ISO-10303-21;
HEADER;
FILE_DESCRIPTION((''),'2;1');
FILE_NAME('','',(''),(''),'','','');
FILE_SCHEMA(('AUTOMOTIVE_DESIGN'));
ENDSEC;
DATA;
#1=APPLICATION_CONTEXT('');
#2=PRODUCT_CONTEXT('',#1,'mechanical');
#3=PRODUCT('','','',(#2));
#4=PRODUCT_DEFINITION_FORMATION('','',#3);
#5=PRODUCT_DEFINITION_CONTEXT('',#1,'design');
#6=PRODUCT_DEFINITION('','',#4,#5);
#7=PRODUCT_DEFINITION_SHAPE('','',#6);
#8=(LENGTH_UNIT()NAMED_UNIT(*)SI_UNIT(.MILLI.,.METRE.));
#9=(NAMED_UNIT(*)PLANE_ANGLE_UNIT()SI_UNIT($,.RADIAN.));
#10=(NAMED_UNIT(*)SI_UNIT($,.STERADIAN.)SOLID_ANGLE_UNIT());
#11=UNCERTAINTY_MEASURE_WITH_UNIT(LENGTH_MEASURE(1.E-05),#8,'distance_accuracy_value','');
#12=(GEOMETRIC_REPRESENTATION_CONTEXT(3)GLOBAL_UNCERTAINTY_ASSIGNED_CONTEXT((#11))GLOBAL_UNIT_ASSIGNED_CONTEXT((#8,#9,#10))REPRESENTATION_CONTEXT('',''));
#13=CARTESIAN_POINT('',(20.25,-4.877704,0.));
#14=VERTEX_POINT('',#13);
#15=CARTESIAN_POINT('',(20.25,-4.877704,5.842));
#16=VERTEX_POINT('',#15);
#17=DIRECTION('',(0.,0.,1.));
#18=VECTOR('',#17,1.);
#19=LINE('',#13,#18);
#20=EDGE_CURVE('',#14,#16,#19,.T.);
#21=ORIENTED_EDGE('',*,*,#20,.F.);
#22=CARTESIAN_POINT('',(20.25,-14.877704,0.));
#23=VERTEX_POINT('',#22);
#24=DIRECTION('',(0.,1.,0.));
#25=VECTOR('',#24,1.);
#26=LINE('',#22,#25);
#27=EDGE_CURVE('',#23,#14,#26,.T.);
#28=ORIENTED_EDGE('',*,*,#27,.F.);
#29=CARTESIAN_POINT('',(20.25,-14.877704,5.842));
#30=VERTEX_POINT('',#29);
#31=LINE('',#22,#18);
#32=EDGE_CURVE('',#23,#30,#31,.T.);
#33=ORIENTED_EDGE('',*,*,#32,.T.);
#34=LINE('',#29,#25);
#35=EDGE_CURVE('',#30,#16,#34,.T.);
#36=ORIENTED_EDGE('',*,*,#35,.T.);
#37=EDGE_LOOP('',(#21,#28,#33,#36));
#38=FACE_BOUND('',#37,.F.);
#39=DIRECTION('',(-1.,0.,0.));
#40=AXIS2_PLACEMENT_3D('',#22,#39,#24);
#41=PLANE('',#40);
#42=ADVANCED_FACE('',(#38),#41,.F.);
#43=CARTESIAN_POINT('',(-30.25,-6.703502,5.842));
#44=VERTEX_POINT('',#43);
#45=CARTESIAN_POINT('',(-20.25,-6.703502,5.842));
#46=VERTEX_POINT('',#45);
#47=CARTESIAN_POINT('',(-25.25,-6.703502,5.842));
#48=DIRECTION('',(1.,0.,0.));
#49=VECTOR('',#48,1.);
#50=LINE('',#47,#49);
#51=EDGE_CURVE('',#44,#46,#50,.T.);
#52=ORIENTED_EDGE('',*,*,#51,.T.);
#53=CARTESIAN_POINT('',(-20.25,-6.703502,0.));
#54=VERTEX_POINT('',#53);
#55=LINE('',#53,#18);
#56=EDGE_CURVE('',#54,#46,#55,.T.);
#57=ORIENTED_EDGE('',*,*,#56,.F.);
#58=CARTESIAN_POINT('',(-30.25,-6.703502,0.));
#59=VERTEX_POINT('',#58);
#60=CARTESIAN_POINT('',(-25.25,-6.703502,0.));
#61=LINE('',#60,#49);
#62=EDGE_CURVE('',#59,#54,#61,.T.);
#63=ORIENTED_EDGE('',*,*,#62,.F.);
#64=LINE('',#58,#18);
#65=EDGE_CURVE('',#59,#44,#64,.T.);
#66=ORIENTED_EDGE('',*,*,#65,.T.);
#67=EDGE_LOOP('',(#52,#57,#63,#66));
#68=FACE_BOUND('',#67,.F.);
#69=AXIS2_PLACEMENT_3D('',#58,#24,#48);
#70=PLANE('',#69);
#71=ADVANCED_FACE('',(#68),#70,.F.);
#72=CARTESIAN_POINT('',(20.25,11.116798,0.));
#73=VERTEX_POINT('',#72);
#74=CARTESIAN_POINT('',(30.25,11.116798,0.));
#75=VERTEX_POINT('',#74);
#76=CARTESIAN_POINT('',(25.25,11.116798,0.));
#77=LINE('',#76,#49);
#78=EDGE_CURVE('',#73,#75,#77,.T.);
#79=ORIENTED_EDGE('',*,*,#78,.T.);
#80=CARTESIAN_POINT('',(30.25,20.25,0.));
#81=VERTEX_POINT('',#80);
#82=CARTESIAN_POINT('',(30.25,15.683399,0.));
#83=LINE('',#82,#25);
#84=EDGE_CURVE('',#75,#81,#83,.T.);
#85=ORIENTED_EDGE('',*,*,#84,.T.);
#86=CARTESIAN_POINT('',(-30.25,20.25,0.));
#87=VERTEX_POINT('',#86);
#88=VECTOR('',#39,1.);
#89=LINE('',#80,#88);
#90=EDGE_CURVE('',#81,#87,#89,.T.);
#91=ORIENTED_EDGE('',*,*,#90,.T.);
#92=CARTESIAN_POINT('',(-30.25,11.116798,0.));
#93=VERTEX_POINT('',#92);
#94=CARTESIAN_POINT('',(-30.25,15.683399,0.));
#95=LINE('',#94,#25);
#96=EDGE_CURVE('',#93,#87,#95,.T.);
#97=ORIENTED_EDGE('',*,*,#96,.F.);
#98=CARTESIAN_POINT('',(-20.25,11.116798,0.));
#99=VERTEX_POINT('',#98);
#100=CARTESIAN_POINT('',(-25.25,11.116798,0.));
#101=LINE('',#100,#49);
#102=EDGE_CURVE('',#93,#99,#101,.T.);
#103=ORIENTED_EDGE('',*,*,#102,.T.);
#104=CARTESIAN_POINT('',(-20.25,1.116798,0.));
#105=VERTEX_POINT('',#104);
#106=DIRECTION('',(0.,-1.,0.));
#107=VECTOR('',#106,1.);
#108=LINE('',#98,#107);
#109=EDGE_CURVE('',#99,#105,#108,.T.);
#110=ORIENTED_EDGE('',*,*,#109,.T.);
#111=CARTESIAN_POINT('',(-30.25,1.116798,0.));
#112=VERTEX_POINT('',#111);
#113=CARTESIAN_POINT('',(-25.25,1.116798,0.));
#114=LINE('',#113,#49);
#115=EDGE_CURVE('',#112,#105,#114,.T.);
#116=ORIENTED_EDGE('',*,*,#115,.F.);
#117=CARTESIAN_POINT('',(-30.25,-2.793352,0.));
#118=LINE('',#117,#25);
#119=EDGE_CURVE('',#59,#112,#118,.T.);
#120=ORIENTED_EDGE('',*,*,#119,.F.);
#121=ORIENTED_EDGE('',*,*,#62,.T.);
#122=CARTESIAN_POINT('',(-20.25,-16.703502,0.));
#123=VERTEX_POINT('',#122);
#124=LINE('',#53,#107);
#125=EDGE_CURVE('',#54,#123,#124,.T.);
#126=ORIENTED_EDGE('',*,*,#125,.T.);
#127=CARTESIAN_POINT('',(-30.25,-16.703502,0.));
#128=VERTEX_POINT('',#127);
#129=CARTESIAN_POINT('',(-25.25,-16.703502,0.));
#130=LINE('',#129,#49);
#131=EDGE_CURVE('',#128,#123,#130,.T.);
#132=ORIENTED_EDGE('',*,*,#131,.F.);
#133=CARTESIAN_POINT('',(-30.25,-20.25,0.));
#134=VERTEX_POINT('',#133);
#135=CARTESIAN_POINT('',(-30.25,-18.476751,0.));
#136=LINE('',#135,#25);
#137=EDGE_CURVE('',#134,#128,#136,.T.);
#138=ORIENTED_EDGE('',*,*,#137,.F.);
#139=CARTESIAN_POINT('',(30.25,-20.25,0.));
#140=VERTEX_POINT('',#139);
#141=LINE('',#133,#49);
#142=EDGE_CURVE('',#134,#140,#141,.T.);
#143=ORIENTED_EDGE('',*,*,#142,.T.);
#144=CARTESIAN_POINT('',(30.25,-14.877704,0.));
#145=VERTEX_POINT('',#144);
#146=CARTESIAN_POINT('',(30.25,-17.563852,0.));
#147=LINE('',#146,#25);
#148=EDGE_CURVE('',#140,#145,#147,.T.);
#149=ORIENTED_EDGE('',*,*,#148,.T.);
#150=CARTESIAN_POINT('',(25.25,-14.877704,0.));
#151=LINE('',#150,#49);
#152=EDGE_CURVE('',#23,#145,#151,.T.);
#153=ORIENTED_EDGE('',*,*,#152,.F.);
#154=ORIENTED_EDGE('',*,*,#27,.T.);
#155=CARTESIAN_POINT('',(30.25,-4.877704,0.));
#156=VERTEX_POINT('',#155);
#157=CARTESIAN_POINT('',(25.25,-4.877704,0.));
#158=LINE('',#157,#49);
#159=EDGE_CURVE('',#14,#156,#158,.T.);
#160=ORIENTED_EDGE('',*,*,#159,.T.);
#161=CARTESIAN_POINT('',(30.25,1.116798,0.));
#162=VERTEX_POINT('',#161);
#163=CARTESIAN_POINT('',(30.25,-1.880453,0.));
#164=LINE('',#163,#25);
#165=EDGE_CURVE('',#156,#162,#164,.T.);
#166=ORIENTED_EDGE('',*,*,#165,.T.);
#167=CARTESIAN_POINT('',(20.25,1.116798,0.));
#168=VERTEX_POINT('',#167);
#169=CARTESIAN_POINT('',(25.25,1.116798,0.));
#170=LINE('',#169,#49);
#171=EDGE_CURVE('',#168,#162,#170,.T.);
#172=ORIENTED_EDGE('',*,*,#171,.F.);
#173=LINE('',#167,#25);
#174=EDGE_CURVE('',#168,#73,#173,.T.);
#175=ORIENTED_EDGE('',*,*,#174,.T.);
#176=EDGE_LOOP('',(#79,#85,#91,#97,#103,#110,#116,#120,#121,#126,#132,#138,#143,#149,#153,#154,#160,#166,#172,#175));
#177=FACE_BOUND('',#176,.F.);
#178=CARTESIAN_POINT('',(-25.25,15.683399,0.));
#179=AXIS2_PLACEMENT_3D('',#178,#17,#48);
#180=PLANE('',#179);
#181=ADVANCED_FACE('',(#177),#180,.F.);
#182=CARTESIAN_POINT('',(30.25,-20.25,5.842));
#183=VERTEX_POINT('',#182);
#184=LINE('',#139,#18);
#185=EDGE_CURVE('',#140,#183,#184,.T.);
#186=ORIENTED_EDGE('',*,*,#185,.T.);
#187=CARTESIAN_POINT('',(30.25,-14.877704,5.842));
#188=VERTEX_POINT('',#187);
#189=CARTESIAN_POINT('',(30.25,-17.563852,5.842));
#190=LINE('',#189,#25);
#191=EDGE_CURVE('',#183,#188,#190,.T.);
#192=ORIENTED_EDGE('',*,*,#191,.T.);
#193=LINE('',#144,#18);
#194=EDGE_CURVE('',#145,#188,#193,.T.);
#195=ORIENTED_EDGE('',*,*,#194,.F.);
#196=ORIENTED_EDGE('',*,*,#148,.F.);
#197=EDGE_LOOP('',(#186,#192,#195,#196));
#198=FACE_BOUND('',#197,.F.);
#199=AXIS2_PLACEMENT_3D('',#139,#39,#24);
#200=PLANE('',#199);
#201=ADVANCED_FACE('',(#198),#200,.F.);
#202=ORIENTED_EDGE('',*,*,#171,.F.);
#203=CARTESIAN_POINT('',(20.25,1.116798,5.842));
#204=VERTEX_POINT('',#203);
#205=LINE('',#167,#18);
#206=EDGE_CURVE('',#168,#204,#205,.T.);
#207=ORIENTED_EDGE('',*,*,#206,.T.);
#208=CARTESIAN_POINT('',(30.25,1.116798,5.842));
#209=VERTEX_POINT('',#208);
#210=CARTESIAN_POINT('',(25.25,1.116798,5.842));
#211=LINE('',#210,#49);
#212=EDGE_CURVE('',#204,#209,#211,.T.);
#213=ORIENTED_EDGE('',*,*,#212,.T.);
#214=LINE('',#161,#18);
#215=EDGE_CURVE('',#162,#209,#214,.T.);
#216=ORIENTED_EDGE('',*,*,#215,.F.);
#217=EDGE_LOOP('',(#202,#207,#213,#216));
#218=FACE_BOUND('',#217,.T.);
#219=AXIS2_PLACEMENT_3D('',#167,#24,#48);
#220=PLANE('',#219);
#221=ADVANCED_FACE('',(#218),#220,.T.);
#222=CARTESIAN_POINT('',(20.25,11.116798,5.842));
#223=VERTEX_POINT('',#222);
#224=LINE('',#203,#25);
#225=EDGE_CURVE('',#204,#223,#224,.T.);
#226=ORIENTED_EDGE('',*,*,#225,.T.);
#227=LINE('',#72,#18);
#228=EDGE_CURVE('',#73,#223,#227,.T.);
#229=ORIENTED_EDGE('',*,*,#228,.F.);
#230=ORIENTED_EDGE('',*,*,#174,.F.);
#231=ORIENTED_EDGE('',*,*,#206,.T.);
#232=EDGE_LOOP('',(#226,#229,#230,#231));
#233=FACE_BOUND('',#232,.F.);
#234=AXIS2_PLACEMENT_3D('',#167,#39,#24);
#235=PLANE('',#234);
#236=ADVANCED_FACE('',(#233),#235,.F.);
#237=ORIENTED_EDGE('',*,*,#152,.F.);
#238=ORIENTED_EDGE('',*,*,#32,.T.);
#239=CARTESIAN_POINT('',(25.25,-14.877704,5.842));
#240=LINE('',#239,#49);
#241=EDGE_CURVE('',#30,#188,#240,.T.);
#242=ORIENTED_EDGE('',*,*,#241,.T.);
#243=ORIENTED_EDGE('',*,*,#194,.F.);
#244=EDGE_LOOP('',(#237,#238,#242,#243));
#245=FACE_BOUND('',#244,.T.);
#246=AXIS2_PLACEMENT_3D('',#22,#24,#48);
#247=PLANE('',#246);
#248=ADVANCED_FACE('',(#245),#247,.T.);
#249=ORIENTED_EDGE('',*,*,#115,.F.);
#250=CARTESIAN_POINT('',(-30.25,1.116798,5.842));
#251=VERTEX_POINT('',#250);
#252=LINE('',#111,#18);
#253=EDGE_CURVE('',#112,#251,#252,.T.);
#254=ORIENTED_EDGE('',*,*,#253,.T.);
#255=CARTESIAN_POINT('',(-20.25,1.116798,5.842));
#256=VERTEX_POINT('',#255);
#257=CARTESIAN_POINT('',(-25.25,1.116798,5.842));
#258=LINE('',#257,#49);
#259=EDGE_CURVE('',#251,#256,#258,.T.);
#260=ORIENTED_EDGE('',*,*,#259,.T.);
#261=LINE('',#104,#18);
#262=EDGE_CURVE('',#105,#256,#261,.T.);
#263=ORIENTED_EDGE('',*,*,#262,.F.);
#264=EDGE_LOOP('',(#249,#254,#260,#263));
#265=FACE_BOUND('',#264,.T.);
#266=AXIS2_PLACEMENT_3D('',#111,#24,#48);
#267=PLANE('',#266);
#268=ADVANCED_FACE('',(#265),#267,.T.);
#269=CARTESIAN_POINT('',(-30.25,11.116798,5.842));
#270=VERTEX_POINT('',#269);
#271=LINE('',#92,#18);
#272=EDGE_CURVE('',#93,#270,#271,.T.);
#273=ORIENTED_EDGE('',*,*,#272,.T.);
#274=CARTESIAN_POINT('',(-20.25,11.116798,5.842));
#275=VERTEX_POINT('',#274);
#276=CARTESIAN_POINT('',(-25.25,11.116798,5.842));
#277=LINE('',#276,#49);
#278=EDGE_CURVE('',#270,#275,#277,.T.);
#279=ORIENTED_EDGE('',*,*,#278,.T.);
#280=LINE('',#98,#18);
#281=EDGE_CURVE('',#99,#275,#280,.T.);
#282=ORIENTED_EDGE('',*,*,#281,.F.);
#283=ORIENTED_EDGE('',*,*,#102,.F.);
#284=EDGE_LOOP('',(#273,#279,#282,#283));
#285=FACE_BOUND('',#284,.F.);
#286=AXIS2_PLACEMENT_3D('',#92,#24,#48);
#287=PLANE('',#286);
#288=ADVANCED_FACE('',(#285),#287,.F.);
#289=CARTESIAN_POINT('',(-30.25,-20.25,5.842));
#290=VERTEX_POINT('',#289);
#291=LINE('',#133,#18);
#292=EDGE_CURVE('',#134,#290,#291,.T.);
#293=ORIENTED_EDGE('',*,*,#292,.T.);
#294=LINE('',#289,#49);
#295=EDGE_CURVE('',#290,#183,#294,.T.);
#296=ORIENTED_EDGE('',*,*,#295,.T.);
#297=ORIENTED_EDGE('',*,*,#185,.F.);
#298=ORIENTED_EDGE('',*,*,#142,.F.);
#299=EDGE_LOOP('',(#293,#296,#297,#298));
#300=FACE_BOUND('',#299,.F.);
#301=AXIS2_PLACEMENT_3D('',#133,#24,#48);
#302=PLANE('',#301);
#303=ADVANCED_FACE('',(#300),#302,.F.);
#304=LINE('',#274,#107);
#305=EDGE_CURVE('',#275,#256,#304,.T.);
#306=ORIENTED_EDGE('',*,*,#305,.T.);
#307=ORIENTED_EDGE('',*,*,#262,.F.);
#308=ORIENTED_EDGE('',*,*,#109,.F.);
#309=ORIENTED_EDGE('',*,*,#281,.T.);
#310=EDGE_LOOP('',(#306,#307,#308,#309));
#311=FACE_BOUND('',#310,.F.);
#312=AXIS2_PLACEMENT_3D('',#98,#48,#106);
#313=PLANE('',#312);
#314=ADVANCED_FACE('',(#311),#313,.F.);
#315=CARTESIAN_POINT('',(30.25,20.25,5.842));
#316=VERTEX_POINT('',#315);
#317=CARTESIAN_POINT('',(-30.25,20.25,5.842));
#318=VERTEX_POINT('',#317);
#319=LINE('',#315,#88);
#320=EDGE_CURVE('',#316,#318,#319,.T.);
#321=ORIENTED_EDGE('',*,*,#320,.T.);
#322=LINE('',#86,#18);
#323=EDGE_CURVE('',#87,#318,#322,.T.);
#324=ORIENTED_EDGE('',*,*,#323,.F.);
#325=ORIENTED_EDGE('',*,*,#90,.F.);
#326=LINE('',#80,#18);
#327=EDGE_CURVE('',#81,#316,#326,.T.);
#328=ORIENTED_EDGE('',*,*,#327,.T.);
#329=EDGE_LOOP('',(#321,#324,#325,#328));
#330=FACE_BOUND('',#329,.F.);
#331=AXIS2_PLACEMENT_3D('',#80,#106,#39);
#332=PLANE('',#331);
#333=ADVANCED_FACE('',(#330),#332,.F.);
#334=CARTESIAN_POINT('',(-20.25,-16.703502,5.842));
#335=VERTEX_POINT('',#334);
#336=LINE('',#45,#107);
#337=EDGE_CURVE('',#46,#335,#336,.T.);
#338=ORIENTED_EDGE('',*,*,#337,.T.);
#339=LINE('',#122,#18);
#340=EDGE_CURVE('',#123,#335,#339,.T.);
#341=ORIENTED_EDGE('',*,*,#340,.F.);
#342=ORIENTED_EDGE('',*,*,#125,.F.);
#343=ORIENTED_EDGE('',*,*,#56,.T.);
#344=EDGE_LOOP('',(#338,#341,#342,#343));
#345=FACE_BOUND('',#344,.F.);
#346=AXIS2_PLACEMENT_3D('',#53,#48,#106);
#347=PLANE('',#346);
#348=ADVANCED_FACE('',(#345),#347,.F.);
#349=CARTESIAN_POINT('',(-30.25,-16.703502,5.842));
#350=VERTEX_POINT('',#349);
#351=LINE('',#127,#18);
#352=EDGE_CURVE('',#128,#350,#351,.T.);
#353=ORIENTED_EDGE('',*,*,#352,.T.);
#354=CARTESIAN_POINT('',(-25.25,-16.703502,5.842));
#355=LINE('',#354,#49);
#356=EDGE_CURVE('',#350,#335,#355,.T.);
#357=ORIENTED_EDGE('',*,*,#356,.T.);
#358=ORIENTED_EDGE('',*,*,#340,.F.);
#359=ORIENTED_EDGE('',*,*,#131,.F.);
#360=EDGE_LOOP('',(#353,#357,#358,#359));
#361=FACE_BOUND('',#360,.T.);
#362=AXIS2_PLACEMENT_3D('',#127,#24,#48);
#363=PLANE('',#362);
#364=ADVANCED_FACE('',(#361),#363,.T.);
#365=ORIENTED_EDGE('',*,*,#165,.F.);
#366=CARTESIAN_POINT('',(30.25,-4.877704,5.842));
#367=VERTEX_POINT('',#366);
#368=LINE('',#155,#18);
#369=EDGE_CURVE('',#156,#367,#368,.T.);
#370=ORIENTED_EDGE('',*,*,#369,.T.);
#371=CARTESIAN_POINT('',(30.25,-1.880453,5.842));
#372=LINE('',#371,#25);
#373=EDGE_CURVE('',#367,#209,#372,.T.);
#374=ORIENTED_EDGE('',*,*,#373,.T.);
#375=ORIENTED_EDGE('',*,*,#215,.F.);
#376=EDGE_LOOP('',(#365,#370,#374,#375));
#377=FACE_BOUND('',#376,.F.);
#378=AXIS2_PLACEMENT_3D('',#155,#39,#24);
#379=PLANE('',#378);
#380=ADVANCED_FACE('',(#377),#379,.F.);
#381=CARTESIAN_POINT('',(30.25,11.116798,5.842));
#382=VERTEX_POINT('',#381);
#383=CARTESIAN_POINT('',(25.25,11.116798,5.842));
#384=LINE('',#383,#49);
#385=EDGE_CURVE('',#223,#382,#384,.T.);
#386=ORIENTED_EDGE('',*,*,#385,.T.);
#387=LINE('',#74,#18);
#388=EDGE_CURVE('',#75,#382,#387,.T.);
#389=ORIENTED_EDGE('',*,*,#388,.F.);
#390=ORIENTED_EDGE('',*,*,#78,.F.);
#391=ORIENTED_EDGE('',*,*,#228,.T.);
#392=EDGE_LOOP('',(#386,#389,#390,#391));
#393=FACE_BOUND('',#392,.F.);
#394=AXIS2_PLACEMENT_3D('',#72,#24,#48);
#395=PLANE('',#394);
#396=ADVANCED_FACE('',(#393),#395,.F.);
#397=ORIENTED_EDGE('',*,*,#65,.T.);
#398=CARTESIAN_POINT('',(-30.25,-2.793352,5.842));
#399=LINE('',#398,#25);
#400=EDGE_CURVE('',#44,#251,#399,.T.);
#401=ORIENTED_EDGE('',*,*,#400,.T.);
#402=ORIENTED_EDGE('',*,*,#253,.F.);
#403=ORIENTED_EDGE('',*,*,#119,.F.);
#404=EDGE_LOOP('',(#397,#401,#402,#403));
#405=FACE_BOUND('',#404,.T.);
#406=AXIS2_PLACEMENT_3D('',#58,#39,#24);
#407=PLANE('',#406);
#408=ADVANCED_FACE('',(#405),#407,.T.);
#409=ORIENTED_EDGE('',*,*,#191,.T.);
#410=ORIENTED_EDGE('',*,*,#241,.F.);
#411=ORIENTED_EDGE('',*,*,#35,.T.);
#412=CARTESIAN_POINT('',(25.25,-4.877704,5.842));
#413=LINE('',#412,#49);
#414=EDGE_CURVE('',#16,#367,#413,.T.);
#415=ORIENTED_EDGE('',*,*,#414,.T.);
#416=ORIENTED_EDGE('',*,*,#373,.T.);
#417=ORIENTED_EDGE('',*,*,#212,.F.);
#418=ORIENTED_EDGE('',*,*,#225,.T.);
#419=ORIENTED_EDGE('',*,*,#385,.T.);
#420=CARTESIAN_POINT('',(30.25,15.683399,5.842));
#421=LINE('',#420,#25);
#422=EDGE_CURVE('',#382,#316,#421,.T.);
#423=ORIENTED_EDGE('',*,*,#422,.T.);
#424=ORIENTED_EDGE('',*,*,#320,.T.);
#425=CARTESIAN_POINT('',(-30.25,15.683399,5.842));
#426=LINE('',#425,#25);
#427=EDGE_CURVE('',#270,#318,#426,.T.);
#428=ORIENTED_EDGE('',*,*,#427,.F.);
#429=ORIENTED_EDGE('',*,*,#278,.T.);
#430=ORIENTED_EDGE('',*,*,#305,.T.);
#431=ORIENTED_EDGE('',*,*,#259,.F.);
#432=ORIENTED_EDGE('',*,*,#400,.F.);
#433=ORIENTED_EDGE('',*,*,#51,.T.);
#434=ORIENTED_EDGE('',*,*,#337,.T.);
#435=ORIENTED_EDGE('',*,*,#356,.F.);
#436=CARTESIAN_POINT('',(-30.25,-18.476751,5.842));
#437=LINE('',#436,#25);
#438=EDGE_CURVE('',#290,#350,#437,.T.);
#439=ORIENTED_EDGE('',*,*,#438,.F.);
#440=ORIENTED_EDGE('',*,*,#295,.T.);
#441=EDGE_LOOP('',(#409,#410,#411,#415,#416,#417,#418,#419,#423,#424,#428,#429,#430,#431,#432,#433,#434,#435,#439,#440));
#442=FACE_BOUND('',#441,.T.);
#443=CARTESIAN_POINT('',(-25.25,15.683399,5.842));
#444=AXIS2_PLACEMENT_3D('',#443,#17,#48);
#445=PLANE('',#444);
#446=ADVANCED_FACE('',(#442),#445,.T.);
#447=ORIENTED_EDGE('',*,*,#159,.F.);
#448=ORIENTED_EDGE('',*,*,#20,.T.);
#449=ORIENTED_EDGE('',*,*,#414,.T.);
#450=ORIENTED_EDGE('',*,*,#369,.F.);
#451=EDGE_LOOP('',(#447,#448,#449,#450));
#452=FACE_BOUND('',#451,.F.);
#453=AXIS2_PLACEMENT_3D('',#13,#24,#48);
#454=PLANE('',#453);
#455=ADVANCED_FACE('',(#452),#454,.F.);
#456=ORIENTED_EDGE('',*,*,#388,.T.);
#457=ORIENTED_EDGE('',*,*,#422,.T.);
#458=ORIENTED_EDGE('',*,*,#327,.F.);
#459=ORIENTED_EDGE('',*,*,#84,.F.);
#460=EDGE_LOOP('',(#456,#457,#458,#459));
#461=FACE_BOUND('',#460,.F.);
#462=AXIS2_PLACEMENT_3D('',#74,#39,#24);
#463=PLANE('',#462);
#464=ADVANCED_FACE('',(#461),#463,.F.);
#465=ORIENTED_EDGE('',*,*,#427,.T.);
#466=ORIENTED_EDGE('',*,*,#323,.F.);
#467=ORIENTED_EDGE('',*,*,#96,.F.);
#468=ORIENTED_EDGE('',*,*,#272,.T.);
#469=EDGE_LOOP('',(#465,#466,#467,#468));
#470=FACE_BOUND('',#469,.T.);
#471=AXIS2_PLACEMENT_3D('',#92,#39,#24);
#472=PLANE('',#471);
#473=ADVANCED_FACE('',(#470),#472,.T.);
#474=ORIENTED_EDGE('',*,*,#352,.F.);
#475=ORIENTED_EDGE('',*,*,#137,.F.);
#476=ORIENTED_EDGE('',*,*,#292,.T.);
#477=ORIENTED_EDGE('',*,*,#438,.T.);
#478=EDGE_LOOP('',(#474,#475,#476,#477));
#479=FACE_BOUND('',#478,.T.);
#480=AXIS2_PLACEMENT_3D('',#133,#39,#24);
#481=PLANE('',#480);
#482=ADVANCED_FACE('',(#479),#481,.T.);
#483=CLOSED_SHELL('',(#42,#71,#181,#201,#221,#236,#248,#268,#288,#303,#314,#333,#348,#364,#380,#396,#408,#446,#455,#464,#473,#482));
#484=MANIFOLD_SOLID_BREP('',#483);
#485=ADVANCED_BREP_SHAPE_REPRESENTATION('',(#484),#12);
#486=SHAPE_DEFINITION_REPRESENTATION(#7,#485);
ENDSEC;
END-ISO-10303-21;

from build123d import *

# Parameters (mm, degrees)
F0_W     = 10
F0_H     = 9.133202
F0_H_2   = 3.546498
F0_H_3   = 5.372296
F0_H_4   = 7.8203
F0_H_5   = 5.994502
F1_DEPTH = 5.842


with BuildPart() as f1:
    # F0 (on Top) → F1 (new body)
    with BuildSketch(Plane.XY):
        with Locations((-25.25, 15.683399)):
            Rectangle(F0_W, F0_H)
        with Locations((-25.25, -18.476751)):
            Rectangle(F0_W, F0_H_2)
        with Locations((25.25, 15.683399)):
            Rectangle(F0_W, F0_H)
        with Locations((25.25, -17.563852)):
            Rectangle(F0_W, F0_H_3)
        with Locations((-25.25, -2.793352)):
            Rectangle(F0_W, F0_H_4)
        with Locations((25.25, -1.880453)):
            Rectangle(F0_W, F0_H_5)
        Polygon((20.25, 20.25), (-20.25, 20.25), (-20.25, 11.116798), (-20.25, 1.116798), (-20.25, -6.703502), (-20.25, -16.703502), (-20.25, -20.25), (20.25, -20.25), (20.25, -14.877704), (20.25, -4.877704), (20.25, 1.116798), (20.25, 11.116798), align=None)
    extrude(amount=F1_DEPTH)


solid = f1.part
